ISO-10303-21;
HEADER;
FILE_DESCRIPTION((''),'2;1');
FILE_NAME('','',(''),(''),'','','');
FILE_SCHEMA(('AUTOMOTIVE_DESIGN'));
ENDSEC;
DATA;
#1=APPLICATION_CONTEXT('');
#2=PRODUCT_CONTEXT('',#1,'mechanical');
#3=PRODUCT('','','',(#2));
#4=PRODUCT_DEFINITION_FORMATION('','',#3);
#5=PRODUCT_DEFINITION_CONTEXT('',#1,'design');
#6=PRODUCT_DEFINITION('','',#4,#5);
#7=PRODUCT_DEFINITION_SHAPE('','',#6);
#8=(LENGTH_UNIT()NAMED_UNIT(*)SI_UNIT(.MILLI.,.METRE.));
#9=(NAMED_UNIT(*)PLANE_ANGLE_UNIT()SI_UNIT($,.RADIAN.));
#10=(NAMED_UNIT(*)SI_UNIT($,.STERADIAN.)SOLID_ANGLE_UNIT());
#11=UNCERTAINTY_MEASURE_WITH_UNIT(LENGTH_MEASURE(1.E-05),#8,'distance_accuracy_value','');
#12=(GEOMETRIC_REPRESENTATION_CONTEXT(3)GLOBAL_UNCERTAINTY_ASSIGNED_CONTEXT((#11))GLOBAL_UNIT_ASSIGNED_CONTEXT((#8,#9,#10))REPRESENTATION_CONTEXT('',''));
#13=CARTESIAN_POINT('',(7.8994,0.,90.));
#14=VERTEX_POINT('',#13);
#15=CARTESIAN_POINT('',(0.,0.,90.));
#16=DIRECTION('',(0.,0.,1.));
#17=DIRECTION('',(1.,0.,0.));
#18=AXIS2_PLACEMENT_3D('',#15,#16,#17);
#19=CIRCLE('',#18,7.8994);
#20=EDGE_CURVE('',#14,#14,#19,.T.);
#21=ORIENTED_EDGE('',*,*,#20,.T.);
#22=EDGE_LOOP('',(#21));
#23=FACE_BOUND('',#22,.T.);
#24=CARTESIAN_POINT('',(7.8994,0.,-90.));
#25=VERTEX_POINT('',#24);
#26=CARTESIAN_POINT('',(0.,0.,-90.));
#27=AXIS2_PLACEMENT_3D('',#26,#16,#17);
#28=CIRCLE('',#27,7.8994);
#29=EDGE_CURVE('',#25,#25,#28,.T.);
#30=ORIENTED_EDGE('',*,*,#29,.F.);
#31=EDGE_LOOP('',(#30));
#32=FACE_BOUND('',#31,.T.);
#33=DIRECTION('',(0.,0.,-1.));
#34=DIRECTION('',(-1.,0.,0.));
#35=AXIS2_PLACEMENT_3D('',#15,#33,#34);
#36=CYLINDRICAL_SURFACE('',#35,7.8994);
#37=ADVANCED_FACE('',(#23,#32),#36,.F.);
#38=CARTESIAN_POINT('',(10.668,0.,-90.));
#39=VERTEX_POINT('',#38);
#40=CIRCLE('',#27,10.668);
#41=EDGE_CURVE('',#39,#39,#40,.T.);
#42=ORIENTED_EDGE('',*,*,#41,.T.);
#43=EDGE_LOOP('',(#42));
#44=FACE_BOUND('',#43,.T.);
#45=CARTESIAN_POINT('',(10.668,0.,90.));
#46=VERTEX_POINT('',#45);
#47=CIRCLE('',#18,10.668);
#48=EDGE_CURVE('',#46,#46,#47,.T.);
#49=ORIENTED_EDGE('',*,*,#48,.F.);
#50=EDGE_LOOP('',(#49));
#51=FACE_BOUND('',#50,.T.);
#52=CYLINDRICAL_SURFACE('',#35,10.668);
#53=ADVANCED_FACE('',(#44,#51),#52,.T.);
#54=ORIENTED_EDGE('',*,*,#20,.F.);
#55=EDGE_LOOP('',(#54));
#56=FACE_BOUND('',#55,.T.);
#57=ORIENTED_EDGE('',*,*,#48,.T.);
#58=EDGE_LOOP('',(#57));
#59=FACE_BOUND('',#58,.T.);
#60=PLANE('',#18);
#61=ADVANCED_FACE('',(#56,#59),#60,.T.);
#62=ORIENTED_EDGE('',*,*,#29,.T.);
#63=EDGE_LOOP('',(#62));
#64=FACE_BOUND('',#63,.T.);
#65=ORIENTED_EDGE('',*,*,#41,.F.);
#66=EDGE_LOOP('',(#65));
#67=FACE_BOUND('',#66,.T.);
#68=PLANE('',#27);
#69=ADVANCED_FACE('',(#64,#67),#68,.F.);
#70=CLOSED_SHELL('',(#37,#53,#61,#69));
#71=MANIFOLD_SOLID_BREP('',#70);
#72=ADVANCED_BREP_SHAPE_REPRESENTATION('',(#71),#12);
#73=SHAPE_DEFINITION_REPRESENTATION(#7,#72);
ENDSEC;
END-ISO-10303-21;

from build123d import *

# Parameters (mm, degrees)
SKETCH1_R           = 10.668
SKETCH1_R_2         = 7.8994
EXTRUDE_THIN1_DEPTH = 90


with BuildPart() as part:
    # Sketch1 → Extrude-Thin1 (new body, symmetric)
    with BuildSketch(Plane.XY):
        Circle(SKETCH1_R)
        Circle(SKETCH1_R_2, mode=Mode.SUBTRACT)
    extrude(amount=EXTRUDE_THIN1_DEPTH, both=True)


solid = part.part
